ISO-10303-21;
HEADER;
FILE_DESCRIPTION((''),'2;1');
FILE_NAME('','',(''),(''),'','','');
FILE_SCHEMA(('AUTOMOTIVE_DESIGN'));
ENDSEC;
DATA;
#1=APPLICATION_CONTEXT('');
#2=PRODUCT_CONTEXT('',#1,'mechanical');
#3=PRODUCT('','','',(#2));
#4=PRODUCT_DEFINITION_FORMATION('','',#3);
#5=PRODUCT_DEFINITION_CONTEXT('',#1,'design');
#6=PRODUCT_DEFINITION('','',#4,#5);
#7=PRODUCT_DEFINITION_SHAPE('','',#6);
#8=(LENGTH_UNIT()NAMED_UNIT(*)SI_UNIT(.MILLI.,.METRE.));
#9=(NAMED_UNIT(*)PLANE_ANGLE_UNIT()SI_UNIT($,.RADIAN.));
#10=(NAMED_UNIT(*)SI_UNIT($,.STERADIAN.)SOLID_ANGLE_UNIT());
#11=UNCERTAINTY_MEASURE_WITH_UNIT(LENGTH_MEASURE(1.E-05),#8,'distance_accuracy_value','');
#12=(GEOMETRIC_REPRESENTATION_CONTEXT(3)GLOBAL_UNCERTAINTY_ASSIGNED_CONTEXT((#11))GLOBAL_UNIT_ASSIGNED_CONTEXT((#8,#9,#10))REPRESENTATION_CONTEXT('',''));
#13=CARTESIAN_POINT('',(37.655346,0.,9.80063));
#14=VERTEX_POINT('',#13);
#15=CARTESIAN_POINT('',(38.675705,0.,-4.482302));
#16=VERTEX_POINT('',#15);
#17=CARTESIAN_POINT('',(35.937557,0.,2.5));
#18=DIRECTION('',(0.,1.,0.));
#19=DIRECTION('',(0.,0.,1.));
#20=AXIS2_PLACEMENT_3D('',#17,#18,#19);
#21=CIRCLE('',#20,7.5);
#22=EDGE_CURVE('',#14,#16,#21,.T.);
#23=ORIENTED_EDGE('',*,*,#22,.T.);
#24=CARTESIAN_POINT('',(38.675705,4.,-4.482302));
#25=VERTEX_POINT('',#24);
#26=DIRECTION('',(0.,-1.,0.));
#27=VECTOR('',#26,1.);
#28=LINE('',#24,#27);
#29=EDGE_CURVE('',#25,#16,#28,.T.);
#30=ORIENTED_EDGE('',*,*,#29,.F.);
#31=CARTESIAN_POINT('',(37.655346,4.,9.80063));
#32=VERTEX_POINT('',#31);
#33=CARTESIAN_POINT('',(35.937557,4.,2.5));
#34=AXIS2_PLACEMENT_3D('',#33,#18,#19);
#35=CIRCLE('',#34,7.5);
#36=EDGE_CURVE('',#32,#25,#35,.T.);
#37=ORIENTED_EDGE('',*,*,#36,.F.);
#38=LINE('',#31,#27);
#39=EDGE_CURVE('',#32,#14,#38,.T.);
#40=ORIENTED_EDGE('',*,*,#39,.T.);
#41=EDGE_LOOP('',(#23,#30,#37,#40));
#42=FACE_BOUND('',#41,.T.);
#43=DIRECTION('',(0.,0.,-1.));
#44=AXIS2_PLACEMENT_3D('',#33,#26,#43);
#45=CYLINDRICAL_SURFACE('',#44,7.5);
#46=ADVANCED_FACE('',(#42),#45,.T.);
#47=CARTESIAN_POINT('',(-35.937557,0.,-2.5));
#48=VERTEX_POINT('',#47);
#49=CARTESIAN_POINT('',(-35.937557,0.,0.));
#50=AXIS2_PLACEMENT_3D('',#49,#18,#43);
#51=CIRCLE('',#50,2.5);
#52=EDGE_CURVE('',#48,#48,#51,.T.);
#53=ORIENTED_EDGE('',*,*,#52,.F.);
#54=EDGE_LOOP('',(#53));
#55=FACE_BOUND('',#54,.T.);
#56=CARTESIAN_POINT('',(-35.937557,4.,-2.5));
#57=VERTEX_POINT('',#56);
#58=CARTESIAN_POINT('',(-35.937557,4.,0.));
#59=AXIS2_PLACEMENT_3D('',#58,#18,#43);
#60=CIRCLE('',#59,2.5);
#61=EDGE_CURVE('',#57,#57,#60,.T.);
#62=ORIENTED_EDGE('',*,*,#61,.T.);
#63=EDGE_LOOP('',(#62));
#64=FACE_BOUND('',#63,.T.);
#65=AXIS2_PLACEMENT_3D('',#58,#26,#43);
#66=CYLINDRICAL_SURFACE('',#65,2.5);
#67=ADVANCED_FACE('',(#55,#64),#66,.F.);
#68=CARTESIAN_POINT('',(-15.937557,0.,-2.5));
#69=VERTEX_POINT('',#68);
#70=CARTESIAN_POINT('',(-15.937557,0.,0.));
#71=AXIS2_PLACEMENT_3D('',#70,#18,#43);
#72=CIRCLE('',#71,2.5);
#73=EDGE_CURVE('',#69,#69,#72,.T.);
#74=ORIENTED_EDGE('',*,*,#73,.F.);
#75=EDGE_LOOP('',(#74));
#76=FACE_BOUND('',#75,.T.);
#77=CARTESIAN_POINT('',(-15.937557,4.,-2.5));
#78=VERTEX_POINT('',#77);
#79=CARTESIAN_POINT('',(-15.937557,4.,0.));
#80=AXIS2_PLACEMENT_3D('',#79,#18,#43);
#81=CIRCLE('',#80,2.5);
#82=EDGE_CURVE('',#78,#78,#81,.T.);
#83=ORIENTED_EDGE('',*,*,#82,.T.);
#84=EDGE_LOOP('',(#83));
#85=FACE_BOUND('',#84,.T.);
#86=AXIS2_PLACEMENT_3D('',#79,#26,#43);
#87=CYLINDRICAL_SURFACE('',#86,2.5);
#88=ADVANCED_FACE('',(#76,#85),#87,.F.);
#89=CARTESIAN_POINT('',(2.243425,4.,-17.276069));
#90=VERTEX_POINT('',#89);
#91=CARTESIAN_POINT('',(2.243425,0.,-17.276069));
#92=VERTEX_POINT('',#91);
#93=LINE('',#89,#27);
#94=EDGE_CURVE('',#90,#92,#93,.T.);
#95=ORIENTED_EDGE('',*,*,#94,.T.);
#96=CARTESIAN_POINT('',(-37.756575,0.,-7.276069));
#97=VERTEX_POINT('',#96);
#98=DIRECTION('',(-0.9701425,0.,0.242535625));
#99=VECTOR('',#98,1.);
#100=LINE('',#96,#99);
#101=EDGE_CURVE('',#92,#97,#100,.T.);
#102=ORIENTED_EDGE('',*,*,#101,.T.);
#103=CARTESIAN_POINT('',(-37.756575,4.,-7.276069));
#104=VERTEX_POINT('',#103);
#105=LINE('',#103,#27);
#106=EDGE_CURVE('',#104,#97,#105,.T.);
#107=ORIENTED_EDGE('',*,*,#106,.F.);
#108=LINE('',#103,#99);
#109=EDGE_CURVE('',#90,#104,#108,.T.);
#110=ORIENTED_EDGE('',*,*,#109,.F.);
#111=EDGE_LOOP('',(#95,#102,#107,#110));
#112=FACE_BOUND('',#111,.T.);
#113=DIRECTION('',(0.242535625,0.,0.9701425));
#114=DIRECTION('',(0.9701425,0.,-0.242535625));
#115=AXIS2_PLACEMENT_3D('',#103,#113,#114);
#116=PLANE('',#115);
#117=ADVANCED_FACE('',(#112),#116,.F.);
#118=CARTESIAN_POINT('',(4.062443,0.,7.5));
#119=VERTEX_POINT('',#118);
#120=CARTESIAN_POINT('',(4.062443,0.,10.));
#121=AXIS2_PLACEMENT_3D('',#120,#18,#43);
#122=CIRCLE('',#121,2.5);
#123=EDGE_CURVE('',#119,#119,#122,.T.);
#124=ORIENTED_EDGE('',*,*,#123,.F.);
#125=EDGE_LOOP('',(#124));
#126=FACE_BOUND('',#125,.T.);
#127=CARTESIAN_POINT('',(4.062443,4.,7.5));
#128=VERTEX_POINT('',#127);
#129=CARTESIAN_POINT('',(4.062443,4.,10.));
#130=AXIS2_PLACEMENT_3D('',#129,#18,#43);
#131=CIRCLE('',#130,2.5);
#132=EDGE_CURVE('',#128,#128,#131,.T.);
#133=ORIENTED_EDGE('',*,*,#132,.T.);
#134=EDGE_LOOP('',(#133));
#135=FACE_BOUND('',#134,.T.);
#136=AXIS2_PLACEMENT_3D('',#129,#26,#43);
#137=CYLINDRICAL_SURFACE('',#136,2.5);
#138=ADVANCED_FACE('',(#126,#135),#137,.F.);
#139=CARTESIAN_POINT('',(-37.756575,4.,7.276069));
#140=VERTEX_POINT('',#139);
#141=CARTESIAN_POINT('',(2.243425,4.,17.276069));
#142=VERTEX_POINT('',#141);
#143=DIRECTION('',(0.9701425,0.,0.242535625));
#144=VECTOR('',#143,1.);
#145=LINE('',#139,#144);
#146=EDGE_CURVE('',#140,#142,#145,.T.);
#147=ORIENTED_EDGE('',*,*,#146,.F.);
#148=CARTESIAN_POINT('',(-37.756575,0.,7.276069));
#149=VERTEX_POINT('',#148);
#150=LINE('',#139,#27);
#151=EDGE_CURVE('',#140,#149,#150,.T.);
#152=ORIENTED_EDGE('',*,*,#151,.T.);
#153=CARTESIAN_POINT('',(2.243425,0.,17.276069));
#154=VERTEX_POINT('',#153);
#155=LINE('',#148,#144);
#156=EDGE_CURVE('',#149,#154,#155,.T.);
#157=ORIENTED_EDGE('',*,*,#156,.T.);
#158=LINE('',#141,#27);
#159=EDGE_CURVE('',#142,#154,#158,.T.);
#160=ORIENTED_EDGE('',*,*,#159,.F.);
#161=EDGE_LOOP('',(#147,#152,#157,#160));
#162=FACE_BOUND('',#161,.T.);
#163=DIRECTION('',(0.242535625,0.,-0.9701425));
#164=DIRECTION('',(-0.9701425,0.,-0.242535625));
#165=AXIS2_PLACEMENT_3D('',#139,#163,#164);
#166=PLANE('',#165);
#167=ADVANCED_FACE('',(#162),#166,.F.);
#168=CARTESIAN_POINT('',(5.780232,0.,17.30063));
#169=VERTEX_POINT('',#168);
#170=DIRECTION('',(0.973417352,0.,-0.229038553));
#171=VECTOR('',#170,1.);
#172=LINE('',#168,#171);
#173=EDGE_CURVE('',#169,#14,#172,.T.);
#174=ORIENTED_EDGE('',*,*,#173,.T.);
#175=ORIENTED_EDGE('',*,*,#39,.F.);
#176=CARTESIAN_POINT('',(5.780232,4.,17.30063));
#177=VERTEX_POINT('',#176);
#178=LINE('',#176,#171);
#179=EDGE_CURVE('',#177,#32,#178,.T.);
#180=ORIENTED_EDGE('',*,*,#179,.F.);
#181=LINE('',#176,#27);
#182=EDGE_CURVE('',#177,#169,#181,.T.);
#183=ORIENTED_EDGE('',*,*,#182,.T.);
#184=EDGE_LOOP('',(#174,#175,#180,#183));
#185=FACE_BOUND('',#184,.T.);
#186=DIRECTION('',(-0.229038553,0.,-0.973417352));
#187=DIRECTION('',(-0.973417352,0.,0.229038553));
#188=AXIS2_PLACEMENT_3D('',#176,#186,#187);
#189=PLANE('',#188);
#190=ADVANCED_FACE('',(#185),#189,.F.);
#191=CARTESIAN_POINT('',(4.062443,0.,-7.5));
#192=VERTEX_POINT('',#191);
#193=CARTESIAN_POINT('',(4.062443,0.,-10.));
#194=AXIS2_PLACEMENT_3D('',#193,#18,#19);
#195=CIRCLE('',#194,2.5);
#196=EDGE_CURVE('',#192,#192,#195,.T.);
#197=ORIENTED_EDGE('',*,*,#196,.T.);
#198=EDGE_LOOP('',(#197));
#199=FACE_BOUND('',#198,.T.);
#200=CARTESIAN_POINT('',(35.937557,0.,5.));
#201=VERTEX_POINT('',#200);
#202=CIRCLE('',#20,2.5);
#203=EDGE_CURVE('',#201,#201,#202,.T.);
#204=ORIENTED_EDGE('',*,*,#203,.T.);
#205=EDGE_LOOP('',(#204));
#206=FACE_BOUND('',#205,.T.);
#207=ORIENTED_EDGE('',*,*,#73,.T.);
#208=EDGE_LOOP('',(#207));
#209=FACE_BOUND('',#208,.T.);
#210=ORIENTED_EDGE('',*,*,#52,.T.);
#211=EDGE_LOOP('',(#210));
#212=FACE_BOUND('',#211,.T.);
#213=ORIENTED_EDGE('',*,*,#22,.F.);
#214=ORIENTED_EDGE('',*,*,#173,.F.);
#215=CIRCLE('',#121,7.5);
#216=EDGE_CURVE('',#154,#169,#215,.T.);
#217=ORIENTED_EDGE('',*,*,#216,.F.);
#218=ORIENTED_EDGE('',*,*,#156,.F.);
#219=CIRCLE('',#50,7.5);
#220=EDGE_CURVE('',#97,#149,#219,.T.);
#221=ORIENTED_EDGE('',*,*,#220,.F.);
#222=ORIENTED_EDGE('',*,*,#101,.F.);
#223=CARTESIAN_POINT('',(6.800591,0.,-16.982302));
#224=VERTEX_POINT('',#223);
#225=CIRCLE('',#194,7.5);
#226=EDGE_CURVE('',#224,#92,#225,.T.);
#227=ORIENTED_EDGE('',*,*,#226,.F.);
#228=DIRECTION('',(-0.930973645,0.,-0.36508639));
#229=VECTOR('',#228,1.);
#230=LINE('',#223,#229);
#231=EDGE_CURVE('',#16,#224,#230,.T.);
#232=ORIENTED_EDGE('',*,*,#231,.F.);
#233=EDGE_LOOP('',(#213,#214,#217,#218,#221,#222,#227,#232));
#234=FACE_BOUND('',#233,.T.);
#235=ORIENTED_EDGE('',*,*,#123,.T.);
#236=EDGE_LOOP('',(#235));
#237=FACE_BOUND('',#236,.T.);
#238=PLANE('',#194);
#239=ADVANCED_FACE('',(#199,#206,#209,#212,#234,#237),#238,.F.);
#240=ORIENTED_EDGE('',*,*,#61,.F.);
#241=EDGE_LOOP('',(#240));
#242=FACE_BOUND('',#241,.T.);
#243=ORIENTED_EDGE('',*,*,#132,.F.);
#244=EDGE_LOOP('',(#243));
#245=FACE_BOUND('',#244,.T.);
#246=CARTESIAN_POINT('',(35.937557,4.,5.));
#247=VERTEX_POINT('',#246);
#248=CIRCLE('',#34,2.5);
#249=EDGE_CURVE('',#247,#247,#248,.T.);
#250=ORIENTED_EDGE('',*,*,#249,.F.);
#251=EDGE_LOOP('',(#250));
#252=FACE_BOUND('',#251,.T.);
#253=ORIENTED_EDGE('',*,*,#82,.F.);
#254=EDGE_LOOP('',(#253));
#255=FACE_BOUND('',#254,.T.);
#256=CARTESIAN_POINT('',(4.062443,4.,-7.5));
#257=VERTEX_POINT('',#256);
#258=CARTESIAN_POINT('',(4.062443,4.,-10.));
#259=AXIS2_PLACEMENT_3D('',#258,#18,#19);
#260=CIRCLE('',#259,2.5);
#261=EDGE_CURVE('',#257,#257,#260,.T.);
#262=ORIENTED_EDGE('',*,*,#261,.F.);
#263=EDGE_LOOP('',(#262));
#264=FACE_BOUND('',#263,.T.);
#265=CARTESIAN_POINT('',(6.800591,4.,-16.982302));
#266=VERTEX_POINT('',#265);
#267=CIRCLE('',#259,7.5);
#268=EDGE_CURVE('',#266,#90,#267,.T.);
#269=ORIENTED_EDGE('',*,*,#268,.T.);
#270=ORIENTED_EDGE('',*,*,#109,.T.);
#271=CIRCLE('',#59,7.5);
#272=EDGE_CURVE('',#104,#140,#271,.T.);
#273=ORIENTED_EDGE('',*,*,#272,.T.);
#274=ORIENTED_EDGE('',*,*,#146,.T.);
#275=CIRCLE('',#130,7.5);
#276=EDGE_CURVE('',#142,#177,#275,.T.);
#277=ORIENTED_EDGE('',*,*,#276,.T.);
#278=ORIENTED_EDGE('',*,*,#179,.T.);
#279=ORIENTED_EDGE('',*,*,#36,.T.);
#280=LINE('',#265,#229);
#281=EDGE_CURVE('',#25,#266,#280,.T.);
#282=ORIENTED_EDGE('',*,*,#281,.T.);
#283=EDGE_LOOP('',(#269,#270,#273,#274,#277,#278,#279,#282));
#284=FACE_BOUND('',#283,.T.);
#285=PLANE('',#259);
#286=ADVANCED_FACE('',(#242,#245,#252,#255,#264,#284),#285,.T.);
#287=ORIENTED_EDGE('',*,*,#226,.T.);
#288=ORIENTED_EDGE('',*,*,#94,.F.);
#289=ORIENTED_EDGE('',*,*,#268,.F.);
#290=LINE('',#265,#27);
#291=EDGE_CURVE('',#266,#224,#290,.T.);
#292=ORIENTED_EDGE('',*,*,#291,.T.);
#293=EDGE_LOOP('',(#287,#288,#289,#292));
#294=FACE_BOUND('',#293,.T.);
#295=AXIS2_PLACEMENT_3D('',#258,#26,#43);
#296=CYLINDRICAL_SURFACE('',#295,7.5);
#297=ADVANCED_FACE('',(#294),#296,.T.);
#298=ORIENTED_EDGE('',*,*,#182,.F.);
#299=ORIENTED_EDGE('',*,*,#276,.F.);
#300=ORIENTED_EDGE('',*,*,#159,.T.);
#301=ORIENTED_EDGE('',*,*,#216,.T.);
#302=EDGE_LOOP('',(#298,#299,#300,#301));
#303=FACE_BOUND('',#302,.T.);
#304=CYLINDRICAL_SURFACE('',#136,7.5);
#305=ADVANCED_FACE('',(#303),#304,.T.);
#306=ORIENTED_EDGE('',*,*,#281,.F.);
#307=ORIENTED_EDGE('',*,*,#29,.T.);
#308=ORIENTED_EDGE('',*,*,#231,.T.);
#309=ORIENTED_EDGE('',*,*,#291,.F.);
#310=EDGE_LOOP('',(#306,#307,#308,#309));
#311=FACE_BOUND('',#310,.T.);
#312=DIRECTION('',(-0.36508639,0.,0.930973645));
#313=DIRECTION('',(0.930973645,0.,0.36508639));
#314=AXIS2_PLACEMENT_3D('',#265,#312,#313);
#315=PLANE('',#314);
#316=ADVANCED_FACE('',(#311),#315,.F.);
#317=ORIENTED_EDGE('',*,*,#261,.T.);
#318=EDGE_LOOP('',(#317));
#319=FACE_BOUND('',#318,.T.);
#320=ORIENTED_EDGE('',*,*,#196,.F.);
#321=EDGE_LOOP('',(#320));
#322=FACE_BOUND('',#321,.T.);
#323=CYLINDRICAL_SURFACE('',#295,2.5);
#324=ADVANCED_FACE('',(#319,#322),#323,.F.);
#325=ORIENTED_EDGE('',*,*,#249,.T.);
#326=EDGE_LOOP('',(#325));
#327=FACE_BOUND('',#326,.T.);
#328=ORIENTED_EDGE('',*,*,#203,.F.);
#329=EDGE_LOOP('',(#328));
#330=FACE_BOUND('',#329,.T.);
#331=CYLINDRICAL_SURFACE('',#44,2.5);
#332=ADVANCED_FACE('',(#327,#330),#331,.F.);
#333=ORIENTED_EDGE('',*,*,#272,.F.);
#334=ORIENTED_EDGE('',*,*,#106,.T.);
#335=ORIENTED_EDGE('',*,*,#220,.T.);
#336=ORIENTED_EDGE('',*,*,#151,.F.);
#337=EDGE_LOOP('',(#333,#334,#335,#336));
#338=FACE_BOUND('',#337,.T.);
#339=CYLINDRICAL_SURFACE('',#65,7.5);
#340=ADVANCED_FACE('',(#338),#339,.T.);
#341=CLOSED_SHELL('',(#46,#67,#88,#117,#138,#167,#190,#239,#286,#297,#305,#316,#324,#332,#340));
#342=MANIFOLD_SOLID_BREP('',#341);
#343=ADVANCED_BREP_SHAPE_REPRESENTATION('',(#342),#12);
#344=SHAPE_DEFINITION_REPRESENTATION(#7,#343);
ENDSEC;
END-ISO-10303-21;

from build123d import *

# Parameters (mm, degrees)
SKETCH1_R           = 2.5
BOSS_EXTRUDE1_DEPTH = 4


with BuildPart() as part:
    # Sketch1 → Boss-Extrude1 (new body)
    with BuildSketch(Plane(origin=(0, 0, 0), x_dir=(1, 0, 0), z_dir=(0, 1, 0))):
        with BuildLine():
            Line((-37.756574527, 7.276068751), (2.243425473, 17.276068751))
            ThreePointArc((2.243425473, 17.276068751), (4.544910282, 17.484465578), (6.800590588, 16.982302337))
            Line((6.800590588, 16.982302337), (38.675705267, 4.482302337))
            ThreePointArc((38.675705267, 4.482302337), (43.41849203, -3.034430686), (37.655346486, -9.80063014))
            Line((37.655346486, -9.80063014), (5.780231807, -17.30063014))
            ThreePointArc((5.780231807, -17.30063014), (4.010360086, -17.499819158), (2.243425473, -17.276068751))
            Line((2.243425473, -17.276068751), (-37.756574527, -7.276068751))
            ThreePointArc((-37.756574527, -7.276068751), (-43.43755734, 0), (-37.756574527, 7.276068751))
        make_face()
        with Locations(Location((35.937557339, -2.5, 0), (0, 0, 270))):
            Circle(SKETCH1_R, mode=Mode.SUBTRACT)
        with Locations(Location((4.06244266, 10, 0), (0, 0, 270))):
            Circle(SKETCH1_R, mode=Mode.SUBTRACT)
        with Locations(Location((4.06244266, -10, 0), (0, 0, 90))):
            Circle(SKETCH1_R, mode=Mode.SUBTRACT)
        with Locations(Location((-15.93755734, 0, 0), (0, 0, 90))):
            Circle(SKETCH1_R, mode=Mode.SUBTRACT)
        with Locations(Location((-35.93755734, 0, 0), (0, 0, 90))):
            Circle(SKETCH1_R, mode=Mode.SUBTRACT)
    extrude(amount=BOSS_EXTRUDE1_DEPTH)


solid = part.part
